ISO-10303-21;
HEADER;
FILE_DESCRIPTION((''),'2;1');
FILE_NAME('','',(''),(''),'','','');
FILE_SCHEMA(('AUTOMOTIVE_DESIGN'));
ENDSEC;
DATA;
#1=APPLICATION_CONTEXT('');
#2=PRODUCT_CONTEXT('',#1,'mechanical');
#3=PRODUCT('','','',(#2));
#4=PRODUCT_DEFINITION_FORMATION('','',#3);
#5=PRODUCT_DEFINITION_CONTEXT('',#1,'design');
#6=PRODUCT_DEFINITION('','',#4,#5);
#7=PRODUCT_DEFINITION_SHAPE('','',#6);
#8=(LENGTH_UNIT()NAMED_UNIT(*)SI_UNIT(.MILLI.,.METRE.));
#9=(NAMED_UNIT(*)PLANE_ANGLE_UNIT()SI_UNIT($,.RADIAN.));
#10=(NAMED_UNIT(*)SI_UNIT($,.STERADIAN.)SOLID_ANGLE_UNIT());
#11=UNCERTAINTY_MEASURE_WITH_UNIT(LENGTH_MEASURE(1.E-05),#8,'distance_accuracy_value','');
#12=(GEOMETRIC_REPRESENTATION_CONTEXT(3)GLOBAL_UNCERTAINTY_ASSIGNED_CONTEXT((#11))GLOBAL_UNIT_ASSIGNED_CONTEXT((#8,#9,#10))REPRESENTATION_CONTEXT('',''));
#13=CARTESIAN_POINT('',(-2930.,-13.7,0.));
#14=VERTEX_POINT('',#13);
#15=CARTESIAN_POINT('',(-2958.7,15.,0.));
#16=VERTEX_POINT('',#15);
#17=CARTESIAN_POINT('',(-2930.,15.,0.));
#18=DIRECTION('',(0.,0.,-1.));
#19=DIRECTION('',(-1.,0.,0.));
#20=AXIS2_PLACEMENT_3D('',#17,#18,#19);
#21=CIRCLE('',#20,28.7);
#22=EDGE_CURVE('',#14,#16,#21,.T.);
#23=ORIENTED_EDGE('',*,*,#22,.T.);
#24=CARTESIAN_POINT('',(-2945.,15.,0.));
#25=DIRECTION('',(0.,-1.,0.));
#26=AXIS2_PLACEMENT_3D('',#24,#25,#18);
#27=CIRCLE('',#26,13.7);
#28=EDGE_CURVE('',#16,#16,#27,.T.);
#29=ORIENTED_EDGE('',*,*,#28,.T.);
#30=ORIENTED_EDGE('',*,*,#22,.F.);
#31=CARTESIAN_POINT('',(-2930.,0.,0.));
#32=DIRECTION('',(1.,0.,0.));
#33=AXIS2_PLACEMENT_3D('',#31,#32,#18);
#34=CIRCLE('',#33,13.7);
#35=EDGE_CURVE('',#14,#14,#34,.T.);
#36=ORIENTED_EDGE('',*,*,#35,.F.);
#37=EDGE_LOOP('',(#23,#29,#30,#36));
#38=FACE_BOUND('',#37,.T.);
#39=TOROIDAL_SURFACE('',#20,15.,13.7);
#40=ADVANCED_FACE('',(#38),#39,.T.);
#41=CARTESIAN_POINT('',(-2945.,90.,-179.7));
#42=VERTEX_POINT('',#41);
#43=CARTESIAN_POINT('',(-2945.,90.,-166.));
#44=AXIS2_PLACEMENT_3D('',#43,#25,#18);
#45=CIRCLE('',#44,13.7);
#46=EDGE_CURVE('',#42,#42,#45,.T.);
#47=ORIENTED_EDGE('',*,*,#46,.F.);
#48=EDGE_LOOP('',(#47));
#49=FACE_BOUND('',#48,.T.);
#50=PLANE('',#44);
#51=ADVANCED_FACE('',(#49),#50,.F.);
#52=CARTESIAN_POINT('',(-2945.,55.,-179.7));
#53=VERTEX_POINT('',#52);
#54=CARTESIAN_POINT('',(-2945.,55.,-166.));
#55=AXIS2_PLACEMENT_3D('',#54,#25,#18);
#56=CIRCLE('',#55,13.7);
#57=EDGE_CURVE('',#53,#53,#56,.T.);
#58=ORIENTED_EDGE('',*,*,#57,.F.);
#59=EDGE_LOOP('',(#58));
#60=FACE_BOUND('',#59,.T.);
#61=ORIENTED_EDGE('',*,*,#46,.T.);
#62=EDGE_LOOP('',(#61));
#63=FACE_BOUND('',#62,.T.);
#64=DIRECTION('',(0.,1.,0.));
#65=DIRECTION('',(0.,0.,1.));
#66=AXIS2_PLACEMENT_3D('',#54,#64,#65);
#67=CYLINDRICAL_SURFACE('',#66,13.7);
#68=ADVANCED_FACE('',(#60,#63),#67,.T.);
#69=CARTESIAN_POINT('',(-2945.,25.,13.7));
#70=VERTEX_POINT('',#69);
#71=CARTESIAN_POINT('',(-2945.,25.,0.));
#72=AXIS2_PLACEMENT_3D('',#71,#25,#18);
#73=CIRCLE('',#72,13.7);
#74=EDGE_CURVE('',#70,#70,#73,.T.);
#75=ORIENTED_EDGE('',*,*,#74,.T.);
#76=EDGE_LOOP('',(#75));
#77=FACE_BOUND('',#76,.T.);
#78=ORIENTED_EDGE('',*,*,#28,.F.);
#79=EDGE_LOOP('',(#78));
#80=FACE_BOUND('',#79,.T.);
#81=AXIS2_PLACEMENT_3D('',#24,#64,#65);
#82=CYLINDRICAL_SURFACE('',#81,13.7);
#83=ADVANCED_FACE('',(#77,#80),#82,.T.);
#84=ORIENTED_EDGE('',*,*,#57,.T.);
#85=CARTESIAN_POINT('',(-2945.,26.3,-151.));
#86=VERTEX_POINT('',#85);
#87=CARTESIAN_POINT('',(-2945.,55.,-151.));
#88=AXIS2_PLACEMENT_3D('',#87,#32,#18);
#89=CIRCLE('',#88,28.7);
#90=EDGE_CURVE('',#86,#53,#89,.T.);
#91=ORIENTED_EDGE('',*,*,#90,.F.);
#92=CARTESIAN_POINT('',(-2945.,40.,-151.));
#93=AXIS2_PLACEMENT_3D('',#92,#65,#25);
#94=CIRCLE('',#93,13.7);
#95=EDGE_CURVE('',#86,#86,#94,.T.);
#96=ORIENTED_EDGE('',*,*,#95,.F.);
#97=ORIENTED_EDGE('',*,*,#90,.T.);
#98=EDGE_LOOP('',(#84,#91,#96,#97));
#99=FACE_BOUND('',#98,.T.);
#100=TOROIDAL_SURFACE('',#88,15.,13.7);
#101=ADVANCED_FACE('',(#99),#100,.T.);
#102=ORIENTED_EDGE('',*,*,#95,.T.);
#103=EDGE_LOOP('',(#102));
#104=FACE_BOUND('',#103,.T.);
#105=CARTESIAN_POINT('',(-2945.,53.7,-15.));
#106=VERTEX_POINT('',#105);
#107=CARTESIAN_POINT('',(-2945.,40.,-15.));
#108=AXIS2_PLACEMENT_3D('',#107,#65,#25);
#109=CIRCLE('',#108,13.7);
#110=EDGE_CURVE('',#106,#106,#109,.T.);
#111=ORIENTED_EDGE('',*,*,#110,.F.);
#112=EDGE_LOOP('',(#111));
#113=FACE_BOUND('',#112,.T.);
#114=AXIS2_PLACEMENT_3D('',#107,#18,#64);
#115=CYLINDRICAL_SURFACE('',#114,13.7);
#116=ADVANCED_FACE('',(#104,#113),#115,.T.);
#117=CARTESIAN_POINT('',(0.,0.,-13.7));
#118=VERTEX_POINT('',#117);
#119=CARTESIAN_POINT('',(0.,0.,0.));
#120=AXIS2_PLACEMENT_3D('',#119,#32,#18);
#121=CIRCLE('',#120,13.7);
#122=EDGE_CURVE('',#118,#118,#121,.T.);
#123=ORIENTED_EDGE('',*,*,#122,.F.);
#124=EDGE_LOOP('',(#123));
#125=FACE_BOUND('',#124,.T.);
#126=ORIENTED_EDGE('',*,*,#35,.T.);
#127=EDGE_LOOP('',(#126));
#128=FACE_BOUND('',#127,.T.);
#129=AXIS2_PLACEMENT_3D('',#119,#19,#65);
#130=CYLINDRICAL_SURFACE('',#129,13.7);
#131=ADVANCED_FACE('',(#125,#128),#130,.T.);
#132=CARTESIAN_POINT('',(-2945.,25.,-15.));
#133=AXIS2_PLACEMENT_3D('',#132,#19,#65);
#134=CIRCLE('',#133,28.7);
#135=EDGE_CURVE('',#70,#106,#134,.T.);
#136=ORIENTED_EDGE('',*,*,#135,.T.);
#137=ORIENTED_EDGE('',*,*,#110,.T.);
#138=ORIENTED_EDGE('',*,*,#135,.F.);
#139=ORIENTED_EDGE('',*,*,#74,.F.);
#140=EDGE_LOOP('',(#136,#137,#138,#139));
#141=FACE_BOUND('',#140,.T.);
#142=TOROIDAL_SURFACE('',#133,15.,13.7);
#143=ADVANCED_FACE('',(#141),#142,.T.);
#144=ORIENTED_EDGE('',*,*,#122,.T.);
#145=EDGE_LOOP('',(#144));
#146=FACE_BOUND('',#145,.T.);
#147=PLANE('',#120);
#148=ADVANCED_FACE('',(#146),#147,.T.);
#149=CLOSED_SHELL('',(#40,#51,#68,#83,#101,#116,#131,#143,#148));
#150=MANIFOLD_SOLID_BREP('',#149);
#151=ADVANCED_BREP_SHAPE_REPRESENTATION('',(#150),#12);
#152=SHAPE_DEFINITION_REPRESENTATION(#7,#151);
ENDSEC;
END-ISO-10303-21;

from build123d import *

# Parameters (mm, degrees)
CROQUIS1_R = 13.7


with BuildPart() as part:
    # Barrer1: sweep along a curve in space
    with BuildLine() as barrer1_path:
        Line((0, 0, 0), (-2930, 0, 0))
        ThreePointArc((-2930, 0, 0), (-2940.606601718, 4.393398282, 0), (-2945, 15, 0))
        Line((-2945, 15, 0), (-2945, 25, 0))
        ThreePointArc((-2945, 25, 0), (-2945, 35.606601718, -4.393398282), (-2945, 40, -15))
        Line((-2945, 40, -15), (-2945, 40, -151))
        ThreePointArc((-2945, 40, -151), (-2945, 44.393398282, -161.606601718), (-2945, 55, -166))
        Line((-2945, 55, -166), (-2945, 90, -166))
    # Croquis1 → Barrer1 (sweep)
    with BuildSketch(Plane(origin=(0, 0, 0), x_dir=(0, 0, -1), z_dir=(1, 0, 0))):
        Circle(CROQUIS1_R)
    sweep(path=barrer1_path.line)


solid = part.part
